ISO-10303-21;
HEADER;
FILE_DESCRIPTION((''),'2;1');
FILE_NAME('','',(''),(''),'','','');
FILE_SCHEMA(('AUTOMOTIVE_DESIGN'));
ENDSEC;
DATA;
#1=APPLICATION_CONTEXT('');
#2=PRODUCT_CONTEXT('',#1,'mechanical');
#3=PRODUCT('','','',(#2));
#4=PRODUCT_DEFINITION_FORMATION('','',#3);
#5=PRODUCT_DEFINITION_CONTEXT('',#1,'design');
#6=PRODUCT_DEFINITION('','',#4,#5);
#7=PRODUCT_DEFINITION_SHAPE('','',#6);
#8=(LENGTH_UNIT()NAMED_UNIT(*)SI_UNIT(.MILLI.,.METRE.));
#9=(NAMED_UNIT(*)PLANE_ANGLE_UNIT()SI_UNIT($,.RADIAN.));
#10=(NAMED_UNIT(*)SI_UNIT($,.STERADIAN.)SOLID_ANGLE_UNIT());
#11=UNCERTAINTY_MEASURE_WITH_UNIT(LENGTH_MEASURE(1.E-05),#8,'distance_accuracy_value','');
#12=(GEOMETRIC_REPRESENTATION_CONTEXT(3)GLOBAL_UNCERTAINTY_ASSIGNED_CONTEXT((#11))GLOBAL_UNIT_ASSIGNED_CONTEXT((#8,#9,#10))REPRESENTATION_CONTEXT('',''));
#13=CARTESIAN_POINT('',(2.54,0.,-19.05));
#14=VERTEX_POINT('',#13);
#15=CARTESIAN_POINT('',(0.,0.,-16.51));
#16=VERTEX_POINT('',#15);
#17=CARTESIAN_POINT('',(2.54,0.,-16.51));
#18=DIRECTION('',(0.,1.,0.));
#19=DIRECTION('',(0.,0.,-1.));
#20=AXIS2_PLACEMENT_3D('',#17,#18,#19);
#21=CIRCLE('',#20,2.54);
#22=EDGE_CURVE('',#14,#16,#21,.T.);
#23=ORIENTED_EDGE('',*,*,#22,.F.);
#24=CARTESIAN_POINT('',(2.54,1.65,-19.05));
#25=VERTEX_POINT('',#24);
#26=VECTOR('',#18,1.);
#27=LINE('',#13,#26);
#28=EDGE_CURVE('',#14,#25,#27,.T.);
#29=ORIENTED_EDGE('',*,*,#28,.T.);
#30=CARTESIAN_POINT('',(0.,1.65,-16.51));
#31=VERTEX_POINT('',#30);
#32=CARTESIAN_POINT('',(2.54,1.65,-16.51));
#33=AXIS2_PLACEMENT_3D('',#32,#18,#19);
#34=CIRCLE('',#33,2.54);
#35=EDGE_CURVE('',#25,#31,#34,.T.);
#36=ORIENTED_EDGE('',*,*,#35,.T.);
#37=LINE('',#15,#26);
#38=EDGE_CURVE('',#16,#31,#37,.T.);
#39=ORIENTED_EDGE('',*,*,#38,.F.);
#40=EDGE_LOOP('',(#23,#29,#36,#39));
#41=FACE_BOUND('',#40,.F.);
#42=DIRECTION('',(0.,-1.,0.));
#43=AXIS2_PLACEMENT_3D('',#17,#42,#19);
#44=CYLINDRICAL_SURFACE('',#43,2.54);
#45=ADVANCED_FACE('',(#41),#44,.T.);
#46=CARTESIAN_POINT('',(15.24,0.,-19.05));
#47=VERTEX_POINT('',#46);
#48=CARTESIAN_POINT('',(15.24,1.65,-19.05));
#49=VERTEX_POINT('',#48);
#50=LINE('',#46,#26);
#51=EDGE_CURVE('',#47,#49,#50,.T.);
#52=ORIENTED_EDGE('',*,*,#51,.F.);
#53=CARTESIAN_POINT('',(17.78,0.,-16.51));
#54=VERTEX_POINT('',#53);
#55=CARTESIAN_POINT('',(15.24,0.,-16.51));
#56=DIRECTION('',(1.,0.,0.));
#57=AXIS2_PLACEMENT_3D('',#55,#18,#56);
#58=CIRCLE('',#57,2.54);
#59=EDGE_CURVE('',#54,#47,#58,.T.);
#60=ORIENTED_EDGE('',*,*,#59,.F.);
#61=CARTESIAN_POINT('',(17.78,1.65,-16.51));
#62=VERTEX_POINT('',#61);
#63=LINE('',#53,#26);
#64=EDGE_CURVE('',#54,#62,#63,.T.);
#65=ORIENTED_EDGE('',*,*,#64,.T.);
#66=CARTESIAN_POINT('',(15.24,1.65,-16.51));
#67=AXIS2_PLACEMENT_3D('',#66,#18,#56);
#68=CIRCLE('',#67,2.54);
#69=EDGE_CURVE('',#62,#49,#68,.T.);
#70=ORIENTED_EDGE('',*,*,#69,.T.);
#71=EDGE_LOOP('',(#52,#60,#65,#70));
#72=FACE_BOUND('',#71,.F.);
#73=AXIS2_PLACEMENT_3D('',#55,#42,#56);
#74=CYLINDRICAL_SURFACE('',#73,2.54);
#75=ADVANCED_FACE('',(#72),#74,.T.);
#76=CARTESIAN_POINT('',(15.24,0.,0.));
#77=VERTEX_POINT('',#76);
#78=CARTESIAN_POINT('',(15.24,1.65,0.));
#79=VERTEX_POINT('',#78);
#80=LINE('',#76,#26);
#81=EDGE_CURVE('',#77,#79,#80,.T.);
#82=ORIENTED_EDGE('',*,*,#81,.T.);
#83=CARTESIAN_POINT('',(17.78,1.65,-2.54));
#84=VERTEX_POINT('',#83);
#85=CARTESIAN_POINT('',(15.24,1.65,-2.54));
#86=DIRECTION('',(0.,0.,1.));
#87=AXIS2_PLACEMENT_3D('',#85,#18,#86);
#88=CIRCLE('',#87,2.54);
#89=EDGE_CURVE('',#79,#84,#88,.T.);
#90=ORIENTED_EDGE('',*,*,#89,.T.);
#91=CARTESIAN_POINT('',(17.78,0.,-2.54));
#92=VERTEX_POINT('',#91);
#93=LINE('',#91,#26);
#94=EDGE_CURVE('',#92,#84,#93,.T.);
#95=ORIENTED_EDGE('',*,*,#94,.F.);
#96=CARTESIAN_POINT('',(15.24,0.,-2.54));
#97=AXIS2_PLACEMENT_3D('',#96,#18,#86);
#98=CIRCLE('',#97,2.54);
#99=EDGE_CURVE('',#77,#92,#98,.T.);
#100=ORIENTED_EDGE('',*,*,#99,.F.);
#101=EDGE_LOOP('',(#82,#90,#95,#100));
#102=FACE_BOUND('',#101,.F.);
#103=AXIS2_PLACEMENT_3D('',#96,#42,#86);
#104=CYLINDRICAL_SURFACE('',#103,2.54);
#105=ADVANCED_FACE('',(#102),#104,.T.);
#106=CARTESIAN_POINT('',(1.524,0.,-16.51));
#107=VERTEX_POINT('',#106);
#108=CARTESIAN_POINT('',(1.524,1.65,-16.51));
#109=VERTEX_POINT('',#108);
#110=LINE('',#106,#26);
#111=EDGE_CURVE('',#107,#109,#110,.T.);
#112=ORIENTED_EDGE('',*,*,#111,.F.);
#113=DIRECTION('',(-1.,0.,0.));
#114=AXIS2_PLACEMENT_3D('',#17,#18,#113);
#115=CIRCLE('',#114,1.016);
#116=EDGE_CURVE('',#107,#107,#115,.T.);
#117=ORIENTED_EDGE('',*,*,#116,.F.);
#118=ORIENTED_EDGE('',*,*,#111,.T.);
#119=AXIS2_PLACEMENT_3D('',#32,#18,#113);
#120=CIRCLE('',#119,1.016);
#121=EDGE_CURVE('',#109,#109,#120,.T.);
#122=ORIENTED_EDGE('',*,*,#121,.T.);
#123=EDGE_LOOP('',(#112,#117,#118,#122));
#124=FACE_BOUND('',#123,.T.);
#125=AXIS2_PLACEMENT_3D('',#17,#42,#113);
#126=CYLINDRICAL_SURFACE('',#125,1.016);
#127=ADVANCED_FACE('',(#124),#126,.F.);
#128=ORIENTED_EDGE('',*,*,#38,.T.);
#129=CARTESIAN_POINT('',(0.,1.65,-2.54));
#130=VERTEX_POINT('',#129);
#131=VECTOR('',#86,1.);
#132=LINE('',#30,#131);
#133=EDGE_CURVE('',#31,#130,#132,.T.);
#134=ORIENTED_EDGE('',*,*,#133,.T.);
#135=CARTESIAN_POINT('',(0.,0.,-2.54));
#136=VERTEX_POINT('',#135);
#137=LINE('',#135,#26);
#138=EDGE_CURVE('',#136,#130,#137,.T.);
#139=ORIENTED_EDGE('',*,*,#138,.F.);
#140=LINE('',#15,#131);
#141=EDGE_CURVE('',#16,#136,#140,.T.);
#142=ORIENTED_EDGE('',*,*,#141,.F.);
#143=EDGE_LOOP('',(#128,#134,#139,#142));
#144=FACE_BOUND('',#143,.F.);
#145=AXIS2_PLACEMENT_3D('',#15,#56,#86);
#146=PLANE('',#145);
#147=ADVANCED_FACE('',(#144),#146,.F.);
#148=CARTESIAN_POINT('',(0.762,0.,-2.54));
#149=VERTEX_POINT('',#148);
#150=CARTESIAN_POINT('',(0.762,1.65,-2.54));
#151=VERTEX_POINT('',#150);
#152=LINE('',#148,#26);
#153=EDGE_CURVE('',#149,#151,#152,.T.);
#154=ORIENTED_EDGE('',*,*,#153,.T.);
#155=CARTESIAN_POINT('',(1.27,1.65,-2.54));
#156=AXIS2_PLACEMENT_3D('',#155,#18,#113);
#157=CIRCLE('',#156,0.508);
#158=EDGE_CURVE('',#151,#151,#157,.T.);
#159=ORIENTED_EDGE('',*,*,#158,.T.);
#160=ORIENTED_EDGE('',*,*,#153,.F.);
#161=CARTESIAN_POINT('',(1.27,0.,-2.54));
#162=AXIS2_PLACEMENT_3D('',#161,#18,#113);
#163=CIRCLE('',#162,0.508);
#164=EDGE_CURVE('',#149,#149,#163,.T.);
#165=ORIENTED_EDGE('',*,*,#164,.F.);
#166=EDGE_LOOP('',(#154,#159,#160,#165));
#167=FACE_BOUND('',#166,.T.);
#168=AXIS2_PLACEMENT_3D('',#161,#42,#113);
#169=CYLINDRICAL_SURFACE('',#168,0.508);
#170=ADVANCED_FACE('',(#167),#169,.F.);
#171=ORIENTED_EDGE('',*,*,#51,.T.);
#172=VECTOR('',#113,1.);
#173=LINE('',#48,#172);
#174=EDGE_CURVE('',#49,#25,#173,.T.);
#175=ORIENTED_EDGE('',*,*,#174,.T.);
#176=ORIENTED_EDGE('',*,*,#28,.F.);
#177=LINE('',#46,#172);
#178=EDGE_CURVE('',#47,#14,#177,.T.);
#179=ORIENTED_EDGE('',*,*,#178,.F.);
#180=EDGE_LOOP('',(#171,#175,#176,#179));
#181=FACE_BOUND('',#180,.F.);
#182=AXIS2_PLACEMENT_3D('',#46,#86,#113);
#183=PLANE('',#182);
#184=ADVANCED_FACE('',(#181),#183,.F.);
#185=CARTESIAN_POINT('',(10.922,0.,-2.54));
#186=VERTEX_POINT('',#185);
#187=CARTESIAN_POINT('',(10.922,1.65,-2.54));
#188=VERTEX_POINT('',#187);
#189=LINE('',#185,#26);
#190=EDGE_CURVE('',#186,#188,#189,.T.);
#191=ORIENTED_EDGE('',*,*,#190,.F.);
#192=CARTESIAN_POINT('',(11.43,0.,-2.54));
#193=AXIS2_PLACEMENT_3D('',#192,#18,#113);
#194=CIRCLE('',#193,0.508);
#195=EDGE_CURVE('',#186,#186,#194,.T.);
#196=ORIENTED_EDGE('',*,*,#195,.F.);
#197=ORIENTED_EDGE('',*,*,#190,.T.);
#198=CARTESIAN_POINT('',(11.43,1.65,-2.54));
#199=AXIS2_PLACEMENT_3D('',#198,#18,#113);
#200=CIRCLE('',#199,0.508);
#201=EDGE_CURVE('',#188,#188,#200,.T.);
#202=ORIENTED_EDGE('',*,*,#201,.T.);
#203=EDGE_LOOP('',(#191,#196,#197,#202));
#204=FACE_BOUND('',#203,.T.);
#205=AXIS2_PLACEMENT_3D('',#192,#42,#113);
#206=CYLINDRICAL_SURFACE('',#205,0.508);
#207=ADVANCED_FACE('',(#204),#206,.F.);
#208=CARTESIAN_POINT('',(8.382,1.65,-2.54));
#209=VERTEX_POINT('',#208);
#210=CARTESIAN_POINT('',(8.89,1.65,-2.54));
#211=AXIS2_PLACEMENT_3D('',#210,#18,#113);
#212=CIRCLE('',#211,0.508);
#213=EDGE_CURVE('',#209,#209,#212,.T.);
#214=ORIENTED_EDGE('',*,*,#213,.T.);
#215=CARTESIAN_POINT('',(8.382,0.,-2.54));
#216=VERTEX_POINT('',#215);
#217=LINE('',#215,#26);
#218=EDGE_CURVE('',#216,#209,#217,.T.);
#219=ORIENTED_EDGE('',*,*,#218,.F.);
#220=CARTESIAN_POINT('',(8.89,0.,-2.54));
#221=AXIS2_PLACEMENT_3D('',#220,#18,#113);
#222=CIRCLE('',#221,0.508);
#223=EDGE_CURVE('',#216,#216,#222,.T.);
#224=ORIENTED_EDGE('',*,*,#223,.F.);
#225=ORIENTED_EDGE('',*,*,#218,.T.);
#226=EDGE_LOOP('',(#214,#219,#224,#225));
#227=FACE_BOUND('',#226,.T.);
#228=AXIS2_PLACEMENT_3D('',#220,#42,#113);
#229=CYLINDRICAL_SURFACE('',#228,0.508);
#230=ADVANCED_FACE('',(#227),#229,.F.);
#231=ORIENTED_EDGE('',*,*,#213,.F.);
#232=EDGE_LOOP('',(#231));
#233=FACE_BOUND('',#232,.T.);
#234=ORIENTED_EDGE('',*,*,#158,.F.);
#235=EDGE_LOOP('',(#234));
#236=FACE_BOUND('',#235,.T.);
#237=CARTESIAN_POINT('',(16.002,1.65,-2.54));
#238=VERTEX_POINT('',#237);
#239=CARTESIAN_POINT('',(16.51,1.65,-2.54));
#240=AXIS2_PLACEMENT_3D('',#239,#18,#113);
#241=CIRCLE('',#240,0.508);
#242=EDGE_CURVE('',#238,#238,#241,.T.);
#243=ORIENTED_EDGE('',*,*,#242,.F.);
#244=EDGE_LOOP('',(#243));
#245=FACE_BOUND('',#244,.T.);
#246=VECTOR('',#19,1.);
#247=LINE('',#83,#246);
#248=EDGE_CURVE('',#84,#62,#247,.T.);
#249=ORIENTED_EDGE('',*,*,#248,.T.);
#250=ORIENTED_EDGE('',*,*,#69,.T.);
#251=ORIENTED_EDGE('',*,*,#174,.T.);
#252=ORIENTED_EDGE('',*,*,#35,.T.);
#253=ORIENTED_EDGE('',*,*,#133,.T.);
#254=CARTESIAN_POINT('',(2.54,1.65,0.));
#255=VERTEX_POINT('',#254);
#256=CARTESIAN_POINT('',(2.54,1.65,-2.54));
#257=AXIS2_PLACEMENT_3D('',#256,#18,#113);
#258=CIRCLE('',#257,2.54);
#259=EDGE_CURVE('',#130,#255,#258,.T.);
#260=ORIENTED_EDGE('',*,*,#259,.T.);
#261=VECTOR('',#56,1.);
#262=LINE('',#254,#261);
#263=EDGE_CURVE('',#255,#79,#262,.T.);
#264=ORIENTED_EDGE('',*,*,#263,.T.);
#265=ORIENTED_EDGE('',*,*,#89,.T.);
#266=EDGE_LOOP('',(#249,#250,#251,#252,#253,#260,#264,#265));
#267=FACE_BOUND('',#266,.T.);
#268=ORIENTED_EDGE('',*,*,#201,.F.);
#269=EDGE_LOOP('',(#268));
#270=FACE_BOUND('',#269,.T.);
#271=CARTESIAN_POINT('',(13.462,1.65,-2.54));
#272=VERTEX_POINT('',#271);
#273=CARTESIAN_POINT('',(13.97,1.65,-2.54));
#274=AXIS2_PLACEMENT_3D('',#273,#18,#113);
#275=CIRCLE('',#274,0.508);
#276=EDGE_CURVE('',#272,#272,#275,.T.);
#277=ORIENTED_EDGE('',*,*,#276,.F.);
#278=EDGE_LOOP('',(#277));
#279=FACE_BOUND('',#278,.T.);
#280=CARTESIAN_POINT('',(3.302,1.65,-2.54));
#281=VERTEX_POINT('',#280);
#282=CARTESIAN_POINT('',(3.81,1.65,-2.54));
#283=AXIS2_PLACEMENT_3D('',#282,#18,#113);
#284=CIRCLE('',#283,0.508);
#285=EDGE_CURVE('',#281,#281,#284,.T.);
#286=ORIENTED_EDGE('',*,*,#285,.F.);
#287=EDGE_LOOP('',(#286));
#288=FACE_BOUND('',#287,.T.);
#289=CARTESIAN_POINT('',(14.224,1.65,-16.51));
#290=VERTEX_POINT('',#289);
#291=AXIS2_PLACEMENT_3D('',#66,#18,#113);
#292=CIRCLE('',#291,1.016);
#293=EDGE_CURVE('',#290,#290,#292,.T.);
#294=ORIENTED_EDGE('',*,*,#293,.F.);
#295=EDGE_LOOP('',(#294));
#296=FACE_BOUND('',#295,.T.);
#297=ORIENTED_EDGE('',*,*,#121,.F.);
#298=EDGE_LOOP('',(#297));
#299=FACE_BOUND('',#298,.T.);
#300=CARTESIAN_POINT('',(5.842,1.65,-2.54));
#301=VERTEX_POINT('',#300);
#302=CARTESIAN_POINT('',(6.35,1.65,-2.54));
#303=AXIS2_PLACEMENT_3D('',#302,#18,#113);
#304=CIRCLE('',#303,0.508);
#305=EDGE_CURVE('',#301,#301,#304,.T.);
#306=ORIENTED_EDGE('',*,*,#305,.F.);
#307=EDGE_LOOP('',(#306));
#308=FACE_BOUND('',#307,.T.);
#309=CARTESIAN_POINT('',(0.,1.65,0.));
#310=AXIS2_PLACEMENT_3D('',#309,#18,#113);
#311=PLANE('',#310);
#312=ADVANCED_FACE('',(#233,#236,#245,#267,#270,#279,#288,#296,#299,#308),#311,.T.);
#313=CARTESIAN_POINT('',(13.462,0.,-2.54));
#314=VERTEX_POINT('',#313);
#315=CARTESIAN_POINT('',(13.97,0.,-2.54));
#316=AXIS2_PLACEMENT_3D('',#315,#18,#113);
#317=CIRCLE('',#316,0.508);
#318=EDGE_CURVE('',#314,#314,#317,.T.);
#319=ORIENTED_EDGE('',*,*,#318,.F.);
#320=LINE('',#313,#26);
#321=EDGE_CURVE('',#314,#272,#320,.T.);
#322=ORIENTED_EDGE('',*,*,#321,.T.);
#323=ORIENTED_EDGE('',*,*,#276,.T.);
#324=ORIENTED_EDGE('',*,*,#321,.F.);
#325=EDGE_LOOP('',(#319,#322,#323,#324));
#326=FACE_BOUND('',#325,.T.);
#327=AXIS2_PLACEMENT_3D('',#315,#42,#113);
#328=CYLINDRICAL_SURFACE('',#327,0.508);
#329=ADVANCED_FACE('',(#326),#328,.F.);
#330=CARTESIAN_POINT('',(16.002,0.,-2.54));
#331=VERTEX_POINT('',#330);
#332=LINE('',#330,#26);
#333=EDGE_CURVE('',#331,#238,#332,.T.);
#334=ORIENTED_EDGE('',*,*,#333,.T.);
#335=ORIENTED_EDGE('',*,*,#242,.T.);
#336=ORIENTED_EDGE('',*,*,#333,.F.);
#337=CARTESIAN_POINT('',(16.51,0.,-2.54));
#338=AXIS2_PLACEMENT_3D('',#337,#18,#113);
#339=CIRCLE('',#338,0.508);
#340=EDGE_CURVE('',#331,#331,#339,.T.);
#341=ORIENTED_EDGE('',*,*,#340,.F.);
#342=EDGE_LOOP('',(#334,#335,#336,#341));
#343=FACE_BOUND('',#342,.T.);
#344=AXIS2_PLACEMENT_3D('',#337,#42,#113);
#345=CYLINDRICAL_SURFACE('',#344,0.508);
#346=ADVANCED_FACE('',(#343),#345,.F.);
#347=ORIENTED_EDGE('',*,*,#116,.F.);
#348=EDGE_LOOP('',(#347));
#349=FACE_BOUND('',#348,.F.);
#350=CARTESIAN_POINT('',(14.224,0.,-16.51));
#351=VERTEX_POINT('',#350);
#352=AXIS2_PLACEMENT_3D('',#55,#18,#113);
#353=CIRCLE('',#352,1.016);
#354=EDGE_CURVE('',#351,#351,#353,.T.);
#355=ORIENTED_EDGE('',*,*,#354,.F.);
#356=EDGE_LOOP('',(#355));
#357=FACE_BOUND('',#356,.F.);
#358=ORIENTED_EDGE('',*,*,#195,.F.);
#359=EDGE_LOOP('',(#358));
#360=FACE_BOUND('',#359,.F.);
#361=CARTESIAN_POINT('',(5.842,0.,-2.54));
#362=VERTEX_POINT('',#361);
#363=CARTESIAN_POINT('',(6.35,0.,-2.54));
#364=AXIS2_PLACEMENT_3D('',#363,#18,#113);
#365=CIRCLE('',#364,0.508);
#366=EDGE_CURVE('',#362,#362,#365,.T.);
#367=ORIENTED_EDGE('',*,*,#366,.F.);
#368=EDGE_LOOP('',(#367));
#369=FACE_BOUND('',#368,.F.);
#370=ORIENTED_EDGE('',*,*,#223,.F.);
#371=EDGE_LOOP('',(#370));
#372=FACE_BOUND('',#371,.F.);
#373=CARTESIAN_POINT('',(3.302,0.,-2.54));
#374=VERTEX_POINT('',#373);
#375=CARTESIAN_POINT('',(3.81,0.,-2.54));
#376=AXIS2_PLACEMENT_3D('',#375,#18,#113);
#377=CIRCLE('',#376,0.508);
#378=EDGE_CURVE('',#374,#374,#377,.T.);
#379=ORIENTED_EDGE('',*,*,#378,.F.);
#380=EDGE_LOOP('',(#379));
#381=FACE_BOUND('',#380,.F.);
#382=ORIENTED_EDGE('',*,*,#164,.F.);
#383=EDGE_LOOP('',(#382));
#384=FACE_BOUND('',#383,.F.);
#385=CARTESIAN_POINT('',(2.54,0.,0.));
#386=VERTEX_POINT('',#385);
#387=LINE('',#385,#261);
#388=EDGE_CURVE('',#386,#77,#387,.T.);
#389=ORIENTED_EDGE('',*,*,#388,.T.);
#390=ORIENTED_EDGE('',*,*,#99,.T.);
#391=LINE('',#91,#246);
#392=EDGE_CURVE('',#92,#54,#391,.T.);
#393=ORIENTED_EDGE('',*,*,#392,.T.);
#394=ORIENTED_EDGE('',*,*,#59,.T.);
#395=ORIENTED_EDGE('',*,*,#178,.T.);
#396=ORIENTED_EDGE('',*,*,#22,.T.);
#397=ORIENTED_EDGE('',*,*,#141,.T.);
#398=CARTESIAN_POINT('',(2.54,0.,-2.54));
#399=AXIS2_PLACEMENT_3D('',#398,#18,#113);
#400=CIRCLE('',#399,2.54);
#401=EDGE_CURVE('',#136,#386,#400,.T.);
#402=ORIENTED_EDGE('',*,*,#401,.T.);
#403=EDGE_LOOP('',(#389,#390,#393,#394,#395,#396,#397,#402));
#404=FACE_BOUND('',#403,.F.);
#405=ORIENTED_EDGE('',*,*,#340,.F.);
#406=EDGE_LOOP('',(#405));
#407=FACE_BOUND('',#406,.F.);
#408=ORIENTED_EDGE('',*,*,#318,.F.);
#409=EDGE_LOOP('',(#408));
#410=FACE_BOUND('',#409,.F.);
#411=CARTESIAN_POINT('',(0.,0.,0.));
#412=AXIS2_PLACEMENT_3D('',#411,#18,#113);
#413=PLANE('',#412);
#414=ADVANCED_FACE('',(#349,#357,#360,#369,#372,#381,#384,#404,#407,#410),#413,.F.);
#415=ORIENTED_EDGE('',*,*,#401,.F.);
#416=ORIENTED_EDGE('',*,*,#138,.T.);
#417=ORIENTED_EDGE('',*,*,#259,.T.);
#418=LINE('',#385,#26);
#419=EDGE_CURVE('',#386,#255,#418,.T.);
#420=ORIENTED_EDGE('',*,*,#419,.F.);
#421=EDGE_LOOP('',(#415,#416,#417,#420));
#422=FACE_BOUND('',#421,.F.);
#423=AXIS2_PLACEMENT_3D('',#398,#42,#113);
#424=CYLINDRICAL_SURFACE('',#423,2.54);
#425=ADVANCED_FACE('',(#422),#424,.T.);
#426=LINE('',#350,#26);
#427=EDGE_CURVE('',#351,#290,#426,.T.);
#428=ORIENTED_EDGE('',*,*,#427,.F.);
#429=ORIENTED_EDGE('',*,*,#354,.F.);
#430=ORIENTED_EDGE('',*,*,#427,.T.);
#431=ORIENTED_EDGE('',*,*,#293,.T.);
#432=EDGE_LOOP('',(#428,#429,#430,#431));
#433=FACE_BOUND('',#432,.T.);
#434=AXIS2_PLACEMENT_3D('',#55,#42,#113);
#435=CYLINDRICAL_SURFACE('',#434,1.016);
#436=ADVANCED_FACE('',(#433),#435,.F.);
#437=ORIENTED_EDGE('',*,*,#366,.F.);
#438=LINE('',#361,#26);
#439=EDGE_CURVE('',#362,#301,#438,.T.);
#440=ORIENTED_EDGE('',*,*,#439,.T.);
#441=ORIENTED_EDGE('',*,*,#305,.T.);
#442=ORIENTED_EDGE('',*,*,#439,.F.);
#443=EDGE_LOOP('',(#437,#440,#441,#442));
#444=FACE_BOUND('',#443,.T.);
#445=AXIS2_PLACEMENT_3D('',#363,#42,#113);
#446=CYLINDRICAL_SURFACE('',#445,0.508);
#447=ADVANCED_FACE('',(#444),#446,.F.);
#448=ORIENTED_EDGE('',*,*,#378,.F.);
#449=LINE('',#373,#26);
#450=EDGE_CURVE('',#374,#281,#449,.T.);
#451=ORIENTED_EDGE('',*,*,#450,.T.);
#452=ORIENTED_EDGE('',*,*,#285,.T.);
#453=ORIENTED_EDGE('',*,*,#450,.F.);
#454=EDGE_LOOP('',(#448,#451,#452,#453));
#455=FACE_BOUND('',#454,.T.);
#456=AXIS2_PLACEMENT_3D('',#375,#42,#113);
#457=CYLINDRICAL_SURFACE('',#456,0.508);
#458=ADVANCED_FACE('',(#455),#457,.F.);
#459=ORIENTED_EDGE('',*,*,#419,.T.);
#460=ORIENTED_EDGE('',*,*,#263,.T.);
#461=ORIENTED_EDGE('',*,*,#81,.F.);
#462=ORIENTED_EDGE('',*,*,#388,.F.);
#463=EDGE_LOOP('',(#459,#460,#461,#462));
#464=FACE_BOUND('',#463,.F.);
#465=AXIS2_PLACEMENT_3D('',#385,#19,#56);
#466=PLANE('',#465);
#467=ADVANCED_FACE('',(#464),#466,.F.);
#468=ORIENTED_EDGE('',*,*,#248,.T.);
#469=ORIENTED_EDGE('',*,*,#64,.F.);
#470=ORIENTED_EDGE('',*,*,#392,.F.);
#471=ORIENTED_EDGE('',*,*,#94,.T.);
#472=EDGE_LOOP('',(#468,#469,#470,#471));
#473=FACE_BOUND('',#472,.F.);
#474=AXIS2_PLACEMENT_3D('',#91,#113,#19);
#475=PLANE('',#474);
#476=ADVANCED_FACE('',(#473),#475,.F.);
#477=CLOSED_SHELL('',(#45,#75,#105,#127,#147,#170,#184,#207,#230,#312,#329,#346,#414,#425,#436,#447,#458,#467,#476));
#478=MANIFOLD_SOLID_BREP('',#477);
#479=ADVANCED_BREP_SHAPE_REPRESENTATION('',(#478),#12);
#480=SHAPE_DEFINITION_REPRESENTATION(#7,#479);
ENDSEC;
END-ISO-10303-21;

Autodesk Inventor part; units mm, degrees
ref_plane "YZ Plane" through (0, 0, 0) normal (1, 0, 0) x (0, 1, 0)
ref_plane "XZ Plane" through (0, 0, 0) normal (0, 1, 0) x (-1, 0, 0)
ref_plane "XY Plane" through (0, 0, 0) normal (0, 0, 1) x (1, 0, 0)
sketch "Sketch1" plane through (0, 0, 0) normal (0, 1, 0) x (-1, 0, 0)
  line L0 (-2.54, 0) -> (-15.24, 0)
  line L1 (-17.78, -2.54) -> (-17.78, -16.51)
  line L2 (-15.24, -19.05) -> (-2.54, -19.05)
  line L3 (0, -16.51) -> (0, -2.54)
  arc A0 (-2.54, -19.05) -> (0, -16.51) centre (-2.54, -16.51) ccw
  arc A1 (-17.78, -16.51) -> (-15.24, -19.05) centre (-15.24, -16.51) ccw
  arc A2 (0, -2.54) -> (-2.54, 0) centre (-2.54, -2.54) ccw
  arc A3 (-15.24, 0) -> (-17.78, -2.54) centre (-15.24, -2.54) ccw
  circle A4 centre (-2.54, -16.51) radius 1.016
  circle A5 centre (-15.24, -16.51) radius 1.016
  line L4 (0, -2.54) -> (-17.78, -2.54) construction
  circle A6 centre (-1.27, -2.54) radius 0.508
  circle A7 centre (-3.81, -2.54) radius 0.508
  circle A8 centre (-6.35, -2.54) radius 0.508
  circle A9 centre (-8.89, -2.54) radius 0.508
  circle A10 centre (-11.43, -2.54) radius 0.508
  circle A11 centre (-13.97, -2.54) radius 0.508
  circle A12 centre (-16.51, -2.54) radius 0.508
  point P0 (0, 0)
  point P1 (-17.78, -19.05)
  point P2 (-17.78, 0)
  point P3 (0, -19.05)
  dimension "d0" = 17.78
  dimension "d1" = 19.05
  dimension "d2" = 2.54
  dimension "d3" = 2.032
  dimension "d6" = 2.54
  dimension "d11" = 1.27
  dimension "d12" = 1.27
  dimension "d13" = 1.016
  dimension "d16" = 2.54
extrude "Extrusion1" add sketch "Sketch1" along normal blind 1.65
equation "\"d11\" = d12"
properties part number "BMP280 footprint"
